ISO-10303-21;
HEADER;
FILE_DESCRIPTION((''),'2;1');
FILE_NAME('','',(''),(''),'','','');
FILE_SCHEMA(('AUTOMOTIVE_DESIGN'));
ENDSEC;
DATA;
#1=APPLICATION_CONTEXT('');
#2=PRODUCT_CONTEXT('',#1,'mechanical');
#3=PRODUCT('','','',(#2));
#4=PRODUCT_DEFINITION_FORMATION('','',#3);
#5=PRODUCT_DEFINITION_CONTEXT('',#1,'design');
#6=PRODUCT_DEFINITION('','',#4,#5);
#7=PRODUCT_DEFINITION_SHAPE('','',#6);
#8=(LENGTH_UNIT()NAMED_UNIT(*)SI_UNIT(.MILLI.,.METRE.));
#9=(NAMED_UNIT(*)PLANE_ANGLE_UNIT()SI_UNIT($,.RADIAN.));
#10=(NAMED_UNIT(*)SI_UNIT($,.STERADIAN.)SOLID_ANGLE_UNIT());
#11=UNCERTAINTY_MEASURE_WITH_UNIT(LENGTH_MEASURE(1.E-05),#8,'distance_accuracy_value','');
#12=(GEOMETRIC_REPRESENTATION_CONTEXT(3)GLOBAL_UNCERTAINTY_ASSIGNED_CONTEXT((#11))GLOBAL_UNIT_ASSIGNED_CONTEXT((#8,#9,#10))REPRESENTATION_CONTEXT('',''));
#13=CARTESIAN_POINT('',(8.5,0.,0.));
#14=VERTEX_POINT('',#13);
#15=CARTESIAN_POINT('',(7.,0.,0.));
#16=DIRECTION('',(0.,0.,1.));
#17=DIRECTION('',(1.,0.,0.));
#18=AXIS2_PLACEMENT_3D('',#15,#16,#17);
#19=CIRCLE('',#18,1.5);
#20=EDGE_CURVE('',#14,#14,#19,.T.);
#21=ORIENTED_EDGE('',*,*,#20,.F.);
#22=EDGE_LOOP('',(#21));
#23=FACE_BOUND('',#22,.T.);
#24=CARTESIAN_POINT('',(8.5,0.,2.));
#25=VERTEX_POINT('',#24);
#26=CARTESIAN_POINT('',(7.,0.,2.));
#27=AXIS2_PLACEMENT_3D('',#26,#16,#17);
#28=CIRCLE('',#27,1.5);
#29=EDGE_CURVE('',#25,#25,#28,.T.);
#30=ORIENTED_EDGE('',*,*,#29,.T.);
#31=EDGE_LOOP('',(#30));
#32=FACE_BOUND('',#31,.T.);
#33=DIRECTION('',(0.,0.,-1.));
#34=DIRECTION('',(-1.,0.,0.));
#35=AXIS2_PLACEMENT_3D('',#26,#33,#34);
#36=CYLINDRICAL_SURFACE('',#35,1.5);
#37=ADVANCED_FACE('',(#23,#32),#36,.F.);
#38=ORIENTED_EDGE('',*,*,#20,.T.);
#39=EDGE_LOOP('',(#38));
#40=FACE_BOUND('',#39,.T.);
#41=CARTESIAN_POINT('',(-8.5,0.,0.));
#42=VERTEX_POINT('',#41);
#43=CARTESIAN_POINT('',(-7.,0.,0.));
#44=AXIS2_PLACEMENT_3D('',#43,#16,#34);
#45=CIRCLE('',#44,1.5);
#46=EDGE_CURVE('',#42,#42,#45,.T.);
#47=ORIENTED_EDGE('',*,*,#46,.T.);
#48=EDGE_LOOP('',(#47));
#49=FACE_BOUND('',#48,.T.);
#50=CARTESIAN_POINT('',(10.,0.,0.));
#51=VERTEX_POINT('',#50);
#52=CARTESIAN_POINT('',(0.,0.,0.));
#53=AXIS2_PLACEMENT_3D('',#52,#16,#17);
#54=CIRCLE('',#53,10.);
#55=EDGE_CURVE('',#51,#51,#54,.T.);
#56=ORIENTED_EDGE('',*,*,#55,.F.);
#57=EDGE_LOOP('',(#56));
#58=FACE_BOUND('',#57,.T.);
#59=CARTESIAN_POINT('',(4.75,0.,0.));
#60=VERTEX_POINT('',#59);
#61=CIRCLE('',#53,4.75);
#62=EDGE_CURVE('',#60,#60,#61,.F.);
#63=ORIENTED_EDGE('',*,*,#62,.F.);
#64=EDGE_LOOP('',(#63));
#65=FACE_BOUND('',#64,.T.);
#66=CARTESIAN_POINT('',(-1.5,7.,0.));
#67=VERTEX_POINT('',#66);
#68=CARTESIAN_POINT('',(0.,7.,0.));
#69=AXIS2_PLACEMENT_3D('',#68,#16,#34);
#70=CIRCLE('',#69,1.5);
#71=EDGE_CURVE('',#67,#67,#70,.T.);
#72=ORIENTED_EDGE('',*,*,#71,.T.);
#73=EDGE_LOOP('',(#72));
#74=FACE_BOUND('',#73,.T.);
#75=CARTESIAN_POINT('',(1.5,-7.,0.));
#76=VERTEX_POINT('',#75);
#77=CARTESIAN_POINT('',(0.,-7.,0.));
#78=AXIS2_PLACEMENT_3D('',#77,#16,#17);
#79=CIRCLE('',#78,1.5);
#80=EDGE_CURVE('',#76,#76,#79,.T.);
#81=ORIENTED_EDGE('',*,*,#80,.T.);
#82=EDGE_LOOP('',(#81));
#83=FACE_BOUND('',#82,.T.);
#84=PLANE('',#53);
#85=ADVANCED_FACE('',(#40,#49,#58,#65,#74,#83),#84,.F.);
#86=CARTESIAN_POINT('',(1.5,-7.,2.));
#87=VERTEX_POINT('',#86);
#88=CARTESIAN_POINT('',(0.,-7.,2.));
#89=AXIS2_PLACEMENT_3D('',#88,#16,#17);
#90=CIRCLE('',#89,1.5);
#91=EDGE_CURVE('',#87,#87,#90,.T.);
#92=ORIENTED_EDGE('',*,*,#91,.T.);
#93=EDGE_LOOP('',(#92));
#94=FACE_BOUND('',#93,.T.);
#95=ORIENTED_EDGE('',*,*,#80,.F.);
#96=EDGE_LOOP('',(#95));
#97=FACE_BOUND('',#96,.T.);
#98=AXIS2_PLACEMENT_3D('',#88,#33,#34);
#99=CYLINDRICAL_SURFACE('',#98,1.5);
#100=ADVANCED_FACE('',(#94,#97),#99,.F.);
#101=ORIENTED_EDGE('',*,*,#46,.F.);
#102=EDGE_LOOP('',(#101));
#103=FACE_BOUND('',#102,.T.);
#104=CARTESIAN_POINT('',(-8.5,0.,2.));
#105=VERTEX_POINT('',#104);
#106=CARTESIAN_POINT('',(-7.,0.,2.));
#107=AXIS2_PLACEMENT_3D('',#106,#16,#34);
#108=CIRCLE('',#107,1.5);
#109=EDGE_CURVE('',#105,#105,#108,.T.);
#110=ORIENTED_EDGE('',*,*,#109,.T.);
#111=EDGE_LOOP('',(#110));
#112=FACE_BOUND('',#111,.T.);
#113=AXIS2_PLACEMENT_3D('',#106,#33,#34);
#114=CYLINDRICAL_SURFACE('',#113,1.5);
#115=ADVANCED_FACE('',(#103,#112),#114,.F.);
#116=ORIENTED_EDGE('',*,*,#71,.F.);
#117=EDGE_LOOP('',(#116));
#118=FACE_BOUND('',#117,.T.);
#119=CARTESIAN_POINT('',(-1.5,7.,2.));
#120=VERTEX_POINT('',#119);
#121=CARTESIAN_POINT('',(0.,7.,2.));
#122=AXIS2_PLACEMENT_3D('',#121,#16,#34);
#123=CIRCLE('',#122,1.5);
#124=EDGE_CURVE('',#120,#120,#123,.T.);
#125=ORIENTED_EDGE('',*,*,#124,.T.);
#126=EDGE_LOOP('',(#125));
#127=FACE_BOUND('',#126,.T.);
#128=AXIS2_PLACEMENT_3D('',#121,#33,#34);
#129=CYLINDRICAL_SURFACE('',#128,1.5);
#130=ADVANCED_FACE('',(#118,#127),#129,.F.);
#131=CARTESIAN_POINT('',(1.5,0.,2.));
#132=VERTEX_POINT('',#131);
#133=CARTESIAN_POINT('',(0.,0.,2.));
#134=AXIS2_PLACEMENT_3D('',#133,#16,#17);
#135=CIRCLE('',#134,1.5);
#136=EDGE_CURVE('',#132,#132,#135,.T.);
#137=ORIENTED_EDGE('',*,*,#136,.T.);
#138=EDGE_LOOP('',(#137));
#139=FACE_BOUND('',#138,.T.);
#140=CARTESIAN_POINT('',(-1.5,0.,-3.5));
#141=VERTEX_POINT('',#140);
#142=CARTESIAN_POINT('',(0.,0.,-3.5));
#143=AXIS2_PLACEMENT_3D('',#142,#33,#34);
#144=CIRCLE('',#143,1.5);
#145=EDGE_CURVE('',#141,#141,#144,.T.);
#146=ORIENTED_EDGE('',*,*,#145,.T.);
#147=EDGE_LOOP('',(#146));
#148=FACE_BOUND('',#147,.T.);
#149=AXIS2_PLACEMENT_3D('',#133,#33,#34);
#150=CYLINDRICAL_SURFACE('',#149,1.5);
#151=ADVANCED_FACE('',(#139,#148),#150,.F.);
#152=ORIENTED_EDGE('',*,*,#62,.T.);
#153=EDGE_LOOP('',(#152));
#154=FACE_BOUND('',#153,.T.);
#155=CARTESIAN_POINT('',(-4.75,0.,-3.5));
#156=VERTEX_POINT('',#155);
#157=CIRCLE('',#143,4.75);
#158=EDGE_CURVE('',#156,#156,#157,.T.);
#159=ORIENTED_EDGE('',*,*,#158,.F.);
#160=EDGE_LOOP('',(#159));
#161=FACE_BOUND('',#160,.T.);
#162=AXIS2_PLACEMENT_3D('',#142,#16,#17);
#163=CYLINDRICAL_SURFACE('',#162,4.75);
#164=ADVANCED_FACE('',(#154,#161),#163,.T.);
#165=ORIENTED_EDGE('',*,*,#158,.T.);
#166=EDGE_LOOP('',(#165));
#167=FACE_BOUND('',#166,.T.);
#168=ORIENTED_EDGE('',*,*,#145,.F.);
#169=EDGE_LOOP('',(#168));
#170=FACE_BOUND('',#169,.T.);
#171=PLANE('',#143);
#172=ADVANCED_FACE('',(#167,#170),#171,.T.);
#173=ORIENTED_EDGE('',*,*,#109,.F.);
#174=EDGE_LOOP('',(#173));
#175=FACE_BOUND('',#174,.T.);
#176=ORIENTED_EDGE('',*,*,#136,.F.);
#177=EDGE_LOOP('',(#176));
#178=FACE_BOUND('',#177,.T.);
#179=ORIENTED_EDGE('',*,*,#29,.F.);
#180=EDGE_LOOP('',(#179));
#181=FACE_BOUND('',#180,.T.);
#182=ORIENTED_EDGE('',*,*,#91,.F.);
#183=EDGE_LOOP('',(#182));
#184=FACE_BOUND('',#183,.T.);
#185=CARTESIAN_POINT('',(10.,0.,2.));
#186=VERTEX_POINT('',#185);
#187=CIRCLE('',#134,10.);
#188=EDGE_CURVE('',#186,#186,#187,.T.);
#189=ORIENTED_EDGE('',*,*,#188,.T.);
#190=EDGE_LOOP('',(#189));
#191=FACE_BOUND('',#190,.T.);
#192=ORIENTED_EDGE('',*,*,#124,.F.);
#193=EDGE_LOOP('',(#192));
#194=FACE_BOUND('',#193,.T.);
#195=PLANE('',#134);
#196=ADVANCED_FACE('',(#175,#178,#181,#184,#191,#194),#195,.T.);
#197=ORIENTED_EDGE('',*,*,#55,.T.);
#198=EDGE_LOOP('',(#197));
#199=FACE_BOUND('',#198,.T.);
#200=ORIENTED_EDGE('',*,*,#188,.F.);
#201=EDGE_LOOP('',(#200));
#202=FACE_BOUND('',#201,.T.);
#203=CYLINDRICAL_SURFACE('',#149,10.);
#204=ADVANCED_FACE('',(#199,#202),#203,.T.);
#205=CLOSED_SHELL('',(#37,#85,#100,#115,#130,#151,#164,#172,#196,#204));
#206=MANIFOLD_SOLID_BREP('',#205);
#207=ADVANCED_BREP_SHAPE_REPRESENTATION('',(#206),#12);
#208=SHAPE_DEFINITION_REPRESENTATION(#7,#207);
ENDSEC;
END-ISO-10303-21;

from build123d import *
from build123d.topology import SkipClean

# Parameters (mm, degrees)
ESQUISSE1_R        = 10
ESQUISSE1_R_2      = 1.5
BOSS_EXTRU_1_DEPTH = 2
BOSS_EXTRU_2_START = 3.5
ESQUISSE2_R        = 4.75
ESQUISSE2_R_2      = 1.5
BOSS_EXTRU_2_DEPTH = 3.5


with BuildPart() as part:
    # Esquisse1 → Boss.-Extru.1 (new body)
    with BuildSketch(Plane.XY):
        Circle(ESQUISSE1_R)
        with Locations((7, 0)):
            Circle(ESQUISSE1_R_2, mode=Mode.SUBTRACT)
        with Locations(Location((0, 7, 0), (0, 0, 180))):
            Circle(ESQUISSE1_R_2, mode=Mode.SUBTRACT)
        Circle(ESQUISSE1_R_2, mode=Mode.SUBTRACT)
        with Locations((0, -7)):
            Circle(ESQUISSE1_R_2, mode=Mode.SUBTRACT)
        with Locations(Location((-7, 0, 0), (0, 0, 180))):
            Circle(ESQUISSE1_R_2, mode=Mode.SUBTRACT)
    extrude(amount=BOSS_EXTRU_1_DEPTH)

    # Esquisse2 → Boss.-Extru.2 (add)
    with SkipClean():  # the faces are left unmerged after this step: merging them gives an invalid solid
        with BuildSketch(Plane(origin=(0, 0, 0), x_dir=(-1, 0, 0), z_dir=(0, 0, -1)).offset(BOSS_EXTRU_2_START)):
            with Locations(Location((0, 0, 0), (0, 0, 180))):
                Circle(ESQUISSE2_R)
            Circle(ESQUISSE2_R_2, mode=Mode.SUBTRACT)
        extrude(amount=-BOSS_EXTRU_2_DEPTH)


solid = part.part
